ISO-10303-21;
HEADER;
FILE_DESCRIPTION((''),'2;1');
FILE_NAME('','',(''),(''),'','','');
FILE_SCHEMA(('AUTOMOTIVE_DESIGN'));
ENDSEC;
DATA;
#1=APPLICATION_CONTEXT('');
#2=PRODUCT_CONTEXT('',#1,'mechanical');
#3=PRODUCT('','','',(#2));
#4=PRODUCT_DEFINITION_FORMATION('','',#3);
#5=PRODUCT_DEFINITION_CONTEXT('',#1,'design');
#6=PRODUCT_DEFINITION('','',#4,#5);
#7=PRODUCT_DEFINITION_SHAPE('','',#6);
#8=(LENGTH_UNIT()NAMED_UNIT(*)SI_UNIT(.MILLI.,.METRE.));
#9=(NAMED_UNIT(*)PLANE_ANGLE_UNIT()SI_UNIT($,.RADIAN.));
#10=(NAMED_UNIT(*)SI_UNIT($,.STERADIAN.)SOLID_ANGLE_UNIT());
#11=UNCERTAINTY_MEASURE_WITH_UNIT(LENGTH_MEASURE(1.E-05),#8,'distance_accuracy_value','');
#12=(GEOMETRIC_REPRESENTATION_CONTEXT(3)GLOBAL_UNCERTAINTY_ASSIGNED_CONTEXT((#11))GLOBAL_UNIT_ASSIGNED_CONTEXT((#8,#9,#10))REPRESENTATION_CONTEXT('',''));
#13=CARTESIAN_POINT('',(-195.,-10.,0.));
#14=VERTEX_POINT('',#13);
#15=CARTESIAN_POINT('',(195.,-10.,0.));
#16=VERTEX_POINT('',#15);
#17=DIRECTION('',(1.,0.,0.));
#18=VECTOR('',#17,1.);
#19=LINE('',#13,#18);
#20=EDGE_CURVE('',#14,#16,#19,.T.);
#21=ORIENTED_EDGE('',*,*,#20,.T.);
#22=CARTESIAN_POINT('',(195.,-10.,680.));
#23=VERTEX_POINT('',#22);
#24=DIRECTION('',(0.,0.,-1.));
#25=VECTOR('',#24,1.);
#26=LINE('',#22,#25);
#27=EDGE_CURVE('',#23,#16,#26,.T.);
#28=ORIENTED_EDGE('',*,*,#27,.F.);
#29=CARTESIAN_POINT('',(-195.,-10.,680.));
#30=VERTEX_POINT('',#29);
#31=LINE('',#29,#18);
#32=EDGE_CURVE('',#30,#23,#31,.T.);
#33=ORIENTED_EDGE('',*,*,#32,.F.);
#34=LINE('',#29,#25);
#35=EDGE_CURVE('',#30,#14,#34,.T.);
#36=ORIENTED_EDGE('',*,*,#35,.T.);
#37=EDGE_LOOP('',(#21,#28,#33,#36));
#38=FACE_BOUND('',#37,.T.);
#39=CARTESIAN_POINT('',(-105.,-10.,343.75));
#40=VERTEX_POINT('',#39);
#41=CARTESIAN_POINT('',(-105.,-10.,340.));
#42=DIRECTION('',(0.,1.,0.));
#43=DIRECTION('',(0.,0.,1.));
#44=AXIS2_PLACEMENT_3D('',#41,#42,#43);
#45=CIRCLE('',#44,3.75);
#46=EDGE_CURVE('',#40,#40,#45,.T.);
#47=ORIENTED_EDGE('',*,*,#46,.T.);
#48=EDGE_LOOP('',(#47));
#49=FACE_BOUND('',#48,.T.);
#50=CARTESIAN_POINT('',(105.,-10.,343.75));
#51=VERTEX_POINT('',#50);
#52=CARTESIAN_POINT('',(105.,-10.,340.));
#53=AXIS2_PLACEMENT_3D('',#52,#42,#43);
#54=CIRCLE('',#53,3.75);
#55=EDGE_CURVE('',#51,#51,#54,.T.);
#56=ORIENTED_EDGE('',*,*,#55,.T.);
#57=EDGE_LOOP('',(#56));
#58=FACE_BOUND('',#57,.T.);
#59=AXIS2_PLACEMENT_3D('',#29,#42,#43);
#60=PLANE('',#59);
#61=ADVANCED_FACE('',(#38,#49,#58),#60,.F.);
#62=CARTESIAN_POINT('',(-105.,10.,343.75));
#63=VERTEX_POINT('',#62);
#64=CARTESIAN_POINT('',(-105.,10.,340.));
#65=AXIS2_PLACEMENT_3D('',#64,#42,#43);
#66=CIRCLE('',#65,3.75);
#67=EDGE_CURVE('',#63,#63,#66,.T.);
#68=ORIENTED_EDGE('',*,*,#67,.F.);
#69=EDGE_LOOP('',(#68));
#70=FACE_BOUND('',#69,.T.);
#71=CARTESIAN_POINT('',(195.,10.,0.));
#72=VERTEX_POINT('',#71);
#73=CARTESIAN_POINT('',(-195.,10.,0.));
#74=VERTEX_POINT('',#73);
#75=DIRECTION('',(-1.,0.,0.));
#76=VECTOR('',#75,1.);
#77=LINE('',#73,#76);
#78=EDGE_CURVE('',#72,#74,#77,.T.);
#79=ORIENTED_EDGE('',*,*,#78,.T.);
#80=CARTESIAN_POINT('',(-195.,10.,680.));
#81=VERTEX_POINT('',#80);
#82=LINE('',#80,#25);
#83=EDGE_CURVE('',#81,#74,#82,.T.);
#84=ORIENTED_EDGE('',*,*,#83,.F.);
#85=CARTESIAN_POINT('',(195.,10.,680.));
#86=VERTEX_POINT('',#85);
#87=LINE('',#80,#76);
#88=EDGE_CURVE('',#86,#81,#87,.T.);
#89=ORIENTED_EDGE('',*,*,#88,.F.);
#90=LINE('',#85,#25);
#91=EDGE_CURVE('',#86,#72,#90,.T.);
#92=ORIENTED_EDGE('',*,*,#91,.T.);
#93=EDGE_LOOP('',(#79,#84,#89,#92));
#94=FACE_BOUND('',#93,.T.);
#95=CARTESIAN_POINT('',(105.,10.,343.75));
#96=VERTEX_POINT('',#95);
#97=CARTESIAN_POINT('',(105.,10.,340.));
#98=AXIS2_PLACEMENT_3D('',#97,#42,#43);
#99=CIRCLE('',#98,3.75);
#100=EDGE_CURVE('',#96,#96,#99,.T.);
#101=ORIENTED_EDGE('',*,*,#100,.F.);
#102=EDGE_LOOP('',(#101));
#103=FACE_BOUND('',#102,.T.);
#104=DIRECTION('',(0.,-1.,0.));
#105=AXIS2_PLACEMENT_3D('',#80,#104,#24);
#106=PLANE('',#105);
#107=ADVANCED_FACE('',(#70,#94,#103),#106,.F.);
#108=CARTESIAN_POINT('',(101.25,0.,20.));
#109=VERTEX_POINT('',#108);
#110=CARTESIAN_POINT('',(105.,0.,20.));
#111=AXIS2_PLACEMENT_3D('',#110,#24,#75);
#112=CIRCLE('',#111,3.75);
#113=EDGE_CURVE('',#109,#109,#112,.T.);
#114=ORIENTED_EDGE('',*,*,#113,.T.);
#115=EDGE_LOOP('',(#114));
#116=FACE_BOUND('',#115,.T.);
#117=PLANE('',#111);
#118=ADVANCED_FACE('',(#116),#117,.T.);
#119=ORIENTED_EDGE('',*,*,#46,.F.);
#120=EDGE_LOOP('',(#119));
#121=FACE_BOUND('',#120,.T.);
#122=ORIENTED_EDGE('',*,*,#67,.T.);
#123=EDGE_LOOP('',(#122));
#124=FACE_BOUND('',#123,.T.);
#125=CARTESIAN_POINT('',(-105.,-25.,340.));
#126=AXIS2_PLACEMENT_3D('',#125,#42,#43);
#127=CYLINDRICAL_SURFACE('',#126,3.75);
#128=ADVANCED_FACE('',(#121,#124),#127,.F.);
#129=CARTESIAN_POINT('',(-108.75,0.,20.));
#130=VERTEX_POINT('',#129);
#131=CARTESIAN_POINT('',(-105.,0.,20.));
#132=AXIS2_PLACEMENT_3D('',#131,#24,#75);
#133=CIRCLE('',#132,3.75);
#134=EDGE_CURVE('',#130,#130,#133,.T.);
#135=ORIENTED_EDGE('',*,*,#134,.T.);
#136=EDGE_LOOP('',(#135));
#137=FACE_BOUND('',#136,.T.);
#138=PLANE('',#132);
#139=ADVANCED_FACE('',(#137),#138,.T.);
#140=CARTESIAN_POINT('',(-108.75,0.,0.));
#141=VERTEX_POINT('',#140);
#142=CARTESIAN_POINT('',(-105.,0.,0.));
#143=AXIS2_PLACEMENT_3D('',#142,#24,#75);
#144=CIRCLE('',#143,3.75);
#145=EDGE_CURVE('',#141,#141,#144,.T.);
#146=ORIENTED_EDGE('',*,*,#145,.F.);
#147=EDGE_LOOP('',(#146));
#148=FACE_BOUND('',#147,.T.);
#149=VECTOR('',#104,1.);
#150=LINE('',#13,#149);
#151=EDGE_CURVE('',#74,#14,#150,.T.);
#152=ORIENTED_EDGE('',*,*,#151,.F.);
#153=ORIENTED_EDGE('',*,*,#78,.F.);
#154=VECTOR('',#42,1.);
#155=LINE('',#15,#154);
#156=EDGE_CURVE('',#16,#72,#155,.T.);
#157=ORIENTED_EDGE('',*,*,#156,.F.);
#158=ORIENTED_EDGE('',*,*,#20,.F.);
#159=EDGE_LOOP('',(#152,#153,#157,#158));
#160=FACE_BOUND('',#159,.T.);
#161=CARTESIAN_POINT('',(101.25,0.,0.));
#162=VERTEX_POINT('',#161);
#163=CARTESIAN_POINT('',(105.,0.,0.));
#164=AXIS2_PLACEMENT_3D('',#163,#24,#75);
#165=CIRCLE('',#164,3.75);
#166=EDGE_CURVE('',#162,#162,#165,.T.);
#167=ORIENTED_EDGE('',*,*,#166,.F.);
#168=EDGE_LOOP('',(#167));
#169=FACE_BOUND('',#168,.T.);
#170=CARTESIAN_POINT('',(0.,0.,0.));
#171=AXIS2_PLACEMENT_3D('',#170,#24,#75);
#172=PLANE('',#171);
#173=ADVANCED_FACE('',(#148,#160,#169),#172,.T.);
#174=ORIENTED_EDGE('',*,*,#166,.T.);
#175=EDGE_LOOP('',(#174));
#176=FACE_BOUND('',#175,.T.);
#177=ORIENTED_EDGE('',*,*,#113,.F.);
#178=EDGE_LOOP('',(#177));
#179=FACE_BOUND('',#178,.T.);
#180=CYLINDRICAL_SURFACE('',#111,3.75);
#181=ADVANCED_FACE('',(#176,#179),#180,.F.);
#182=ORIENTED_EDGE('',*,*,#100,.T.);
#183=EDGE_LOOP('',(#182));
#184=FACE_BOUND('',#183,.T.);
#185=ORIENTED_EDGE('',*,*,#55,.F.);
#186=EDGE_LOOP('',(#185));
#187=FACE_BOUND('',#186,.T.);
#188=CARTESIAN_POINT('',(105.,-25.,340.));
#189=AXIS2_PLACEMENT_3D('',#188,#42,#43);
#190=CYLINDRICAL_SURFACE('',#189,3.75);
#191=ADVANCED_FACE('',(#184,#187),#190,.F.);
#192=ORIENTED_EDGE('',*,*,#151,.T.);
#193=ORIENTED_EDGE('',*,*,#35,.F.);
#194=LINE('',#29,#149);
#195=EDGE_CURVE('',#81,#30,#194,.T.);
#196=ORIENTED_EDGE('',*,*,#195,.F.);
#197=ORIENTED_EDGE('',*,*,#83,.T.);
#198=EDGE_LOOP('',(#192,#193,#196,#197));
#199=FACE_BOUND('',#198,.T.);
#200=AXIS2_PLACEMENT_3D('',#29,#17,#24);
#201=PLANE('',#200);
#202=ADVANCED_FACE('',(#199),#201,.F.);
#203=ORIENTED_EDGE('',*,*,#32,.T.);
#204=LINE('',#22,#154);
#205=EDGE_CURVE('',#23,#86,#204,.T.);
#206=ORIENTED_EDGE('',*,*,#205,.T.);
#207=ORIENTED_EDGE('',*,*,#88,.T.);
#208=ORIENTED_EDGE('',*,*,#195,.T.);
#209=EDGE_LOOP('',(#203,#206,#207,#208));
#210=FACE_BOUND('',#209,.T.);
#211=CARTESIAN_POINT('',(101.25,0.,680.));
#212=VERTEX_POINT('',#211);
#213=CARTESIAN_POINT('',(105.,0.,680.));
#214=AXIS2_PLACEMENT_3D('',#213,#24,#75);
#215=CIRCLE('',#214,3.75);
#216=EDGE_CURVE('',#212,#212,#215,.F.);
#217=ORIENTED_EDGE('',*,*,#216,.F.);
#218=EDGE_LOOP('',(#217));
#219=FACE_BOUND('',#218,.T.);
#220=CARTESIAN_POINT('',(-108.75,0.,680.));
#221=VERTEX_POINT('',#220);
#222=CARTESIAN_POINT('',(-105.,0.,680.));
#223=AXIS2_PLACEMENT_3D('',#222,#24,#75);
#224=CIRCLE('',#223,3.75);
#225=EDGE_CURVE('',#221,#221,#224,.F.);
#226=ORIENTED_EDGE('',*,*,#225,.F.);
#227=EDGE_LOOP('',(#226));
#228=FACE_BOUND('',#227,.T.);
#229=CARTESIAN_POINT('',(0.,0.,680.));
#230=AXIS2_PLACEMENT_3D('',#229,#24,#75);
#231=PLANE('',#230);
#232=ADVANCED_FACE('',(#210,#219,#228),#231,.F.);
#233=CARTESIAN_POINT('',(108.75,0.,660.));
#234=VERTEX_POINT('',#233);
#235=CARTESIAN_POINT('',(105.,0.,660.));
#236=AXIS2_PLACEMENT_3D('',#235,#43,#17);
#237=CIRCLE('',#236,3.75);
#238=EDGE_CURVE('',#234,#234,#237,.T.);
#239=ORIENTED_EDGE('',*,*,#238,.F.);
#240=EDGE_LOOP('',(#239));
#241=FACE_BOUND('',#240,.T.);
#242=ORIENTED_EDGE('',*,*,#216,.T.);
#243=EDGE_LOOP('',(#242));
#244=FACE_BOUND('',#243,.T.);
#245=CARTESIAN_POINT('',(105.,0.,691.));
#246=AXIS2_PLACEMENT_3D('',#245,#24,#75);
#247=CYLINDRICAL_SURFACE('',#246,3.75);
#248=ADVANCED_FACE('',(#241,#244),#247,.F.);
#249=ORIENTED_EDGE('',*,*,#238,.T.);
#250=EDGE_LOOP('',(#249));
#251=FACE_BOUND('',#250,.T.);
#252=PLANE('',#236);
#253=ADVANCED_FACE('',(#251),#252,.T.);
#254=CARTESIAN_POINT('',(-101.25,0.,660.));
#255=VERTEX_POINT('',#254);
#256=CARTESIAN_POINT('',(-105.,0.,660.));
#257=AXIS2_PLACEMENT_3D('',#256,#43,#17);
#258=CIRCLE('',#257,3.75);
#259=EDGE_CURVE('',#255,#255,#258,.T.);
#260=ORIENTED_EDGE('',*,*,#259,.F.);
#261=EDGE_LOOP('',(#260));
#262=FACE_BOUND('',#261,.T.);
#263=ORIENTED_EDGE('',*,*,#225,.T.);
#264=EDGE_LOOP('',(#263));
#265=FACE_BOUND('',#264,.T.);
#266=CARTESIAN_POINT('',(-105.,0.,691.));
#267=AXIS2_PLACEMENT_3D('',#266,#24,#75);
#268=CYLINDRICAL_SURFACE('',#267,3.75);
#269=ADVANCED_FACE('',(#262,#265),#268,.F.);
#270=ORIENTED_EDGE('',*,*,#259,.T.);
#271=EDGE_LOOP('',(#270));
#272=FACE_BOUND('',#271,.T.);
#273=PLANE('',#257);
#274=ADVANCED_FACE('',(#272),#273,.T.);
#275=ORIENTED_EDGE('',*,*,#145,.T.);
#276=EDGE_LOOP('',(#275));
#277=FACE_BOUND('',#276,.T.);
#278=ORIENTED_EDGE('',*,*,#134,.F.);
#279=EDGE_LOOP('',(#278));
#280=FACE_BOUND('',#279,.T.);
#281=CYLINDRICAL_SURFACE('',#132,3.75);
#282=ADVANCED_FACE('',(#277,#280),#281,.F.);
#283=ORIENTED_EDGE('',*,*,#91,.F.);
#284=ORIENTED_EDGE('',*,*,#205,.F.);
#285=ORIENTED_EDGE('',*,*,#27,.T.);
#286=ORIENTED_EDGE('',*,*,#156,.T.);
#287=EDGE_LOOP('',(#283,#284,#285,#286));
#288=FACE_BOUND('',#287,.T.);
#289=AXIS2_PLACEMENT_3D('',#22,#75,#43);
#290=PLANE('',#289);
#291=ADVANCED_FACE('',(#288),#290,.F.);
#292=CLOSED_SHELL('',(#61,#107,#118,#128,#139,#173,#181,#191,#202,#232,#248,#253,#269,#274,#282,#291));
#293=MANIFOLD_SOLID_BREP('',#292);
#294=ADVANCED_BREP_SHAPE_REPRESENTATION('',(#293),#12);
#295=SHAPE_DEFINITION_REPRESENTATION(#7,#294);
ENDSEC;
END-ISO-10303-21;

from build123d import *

# Parameters (mm, degrees)
ESQUISSE1_W                  = 390
ESQUISSE1_H                  = 20
BOSS_EXTRU_1_DEPTH           = 680
ENL_V_MAT_EXTRU_1_DEPTH      = 11
ENL_V_MAT_EXTRU_1_DEPTH_BACK = 20
ESQUISSE2_R                  = 3.75
ENL_V_START                  = -20
ESQUISSE4_R                  = 3.75
ENL_V_MAT_EXTRU_2_DEPTH      = 20
ESQUISSE5_R                  = 3.75
ENL_V_MAT_EXTRU_3_DEPTH      = 35


with BuildPart() as part:
    # Esquisse1 → Boss.-Extru.1 (new body)
    with BuildSketch(Plane.XY):
        Rectangle(ESQUISSE1_W, ESQUISSE1_H)
    extrude(amount=BOSS_EXTRU_1_DEPTH)

    # Esquisse2 → Enlèv. mat.-Extru.1 (cut, two sides: drawn at the far end of the back side and taken through both)
    with BuildSketch(Plane.XY.offset(680).offset(-ENL_V_MAT_EXTRU_1_DEPTH_BACK)):
        with Locations(Location((-105, 0, 0), (0, 0, 180))):
            Circle(ESQUISSE2_R)
        with Locations(Location((105, 0, 0), (0, 0, 180))):
            Circle(ESQUISSE2_R)
    extrude(amount=ENL_V_MAT_EXTRU_1_DEPTH + ENL_V_MAT_EXTRU_1_DEPTH_BACK, mode=Mode.SUBTRACT)

    # Esquisse4 → Enlèv. mat.-Extru.2 (cut)
    with BuildSketch(Plane(origin=(0, 0, 0), x_dir=(-1, 0, 0), z_dir=(0, 0, -1)).offset(ENL_V_START)):
        with Locations((-105, 0)):
            Circle(ESQUISSE4_R)
        with Locations((105, 0)):
            Circle(ESQUISSE4_R)
    extrude(amount=ENL_V_MAT_EXTRU_2_DEPTH, mode=Mode.SUBTRACT)

    # Esquisse5 → Enlèv. mat.-Extru.3 (cut)
    with BuildSketch(Plane(origin=(0, 10, 0), x_dir=(1, 0, 0), z_dir=(0, 1, 0))):
        with Locations(Location((-105, -340, 0), (0, 0, 270))):
            Circle(ESQUISSE5_R)
        with Locations(Location((105, -340, 0), (0, 0, 270))):
            Circle(ESQUISSE5_R)
    extrude(amount=-ENL_V_MAT_EXTRU_3_DEPTH, mode=Mode.SUBTRACT)


solid = part.part
